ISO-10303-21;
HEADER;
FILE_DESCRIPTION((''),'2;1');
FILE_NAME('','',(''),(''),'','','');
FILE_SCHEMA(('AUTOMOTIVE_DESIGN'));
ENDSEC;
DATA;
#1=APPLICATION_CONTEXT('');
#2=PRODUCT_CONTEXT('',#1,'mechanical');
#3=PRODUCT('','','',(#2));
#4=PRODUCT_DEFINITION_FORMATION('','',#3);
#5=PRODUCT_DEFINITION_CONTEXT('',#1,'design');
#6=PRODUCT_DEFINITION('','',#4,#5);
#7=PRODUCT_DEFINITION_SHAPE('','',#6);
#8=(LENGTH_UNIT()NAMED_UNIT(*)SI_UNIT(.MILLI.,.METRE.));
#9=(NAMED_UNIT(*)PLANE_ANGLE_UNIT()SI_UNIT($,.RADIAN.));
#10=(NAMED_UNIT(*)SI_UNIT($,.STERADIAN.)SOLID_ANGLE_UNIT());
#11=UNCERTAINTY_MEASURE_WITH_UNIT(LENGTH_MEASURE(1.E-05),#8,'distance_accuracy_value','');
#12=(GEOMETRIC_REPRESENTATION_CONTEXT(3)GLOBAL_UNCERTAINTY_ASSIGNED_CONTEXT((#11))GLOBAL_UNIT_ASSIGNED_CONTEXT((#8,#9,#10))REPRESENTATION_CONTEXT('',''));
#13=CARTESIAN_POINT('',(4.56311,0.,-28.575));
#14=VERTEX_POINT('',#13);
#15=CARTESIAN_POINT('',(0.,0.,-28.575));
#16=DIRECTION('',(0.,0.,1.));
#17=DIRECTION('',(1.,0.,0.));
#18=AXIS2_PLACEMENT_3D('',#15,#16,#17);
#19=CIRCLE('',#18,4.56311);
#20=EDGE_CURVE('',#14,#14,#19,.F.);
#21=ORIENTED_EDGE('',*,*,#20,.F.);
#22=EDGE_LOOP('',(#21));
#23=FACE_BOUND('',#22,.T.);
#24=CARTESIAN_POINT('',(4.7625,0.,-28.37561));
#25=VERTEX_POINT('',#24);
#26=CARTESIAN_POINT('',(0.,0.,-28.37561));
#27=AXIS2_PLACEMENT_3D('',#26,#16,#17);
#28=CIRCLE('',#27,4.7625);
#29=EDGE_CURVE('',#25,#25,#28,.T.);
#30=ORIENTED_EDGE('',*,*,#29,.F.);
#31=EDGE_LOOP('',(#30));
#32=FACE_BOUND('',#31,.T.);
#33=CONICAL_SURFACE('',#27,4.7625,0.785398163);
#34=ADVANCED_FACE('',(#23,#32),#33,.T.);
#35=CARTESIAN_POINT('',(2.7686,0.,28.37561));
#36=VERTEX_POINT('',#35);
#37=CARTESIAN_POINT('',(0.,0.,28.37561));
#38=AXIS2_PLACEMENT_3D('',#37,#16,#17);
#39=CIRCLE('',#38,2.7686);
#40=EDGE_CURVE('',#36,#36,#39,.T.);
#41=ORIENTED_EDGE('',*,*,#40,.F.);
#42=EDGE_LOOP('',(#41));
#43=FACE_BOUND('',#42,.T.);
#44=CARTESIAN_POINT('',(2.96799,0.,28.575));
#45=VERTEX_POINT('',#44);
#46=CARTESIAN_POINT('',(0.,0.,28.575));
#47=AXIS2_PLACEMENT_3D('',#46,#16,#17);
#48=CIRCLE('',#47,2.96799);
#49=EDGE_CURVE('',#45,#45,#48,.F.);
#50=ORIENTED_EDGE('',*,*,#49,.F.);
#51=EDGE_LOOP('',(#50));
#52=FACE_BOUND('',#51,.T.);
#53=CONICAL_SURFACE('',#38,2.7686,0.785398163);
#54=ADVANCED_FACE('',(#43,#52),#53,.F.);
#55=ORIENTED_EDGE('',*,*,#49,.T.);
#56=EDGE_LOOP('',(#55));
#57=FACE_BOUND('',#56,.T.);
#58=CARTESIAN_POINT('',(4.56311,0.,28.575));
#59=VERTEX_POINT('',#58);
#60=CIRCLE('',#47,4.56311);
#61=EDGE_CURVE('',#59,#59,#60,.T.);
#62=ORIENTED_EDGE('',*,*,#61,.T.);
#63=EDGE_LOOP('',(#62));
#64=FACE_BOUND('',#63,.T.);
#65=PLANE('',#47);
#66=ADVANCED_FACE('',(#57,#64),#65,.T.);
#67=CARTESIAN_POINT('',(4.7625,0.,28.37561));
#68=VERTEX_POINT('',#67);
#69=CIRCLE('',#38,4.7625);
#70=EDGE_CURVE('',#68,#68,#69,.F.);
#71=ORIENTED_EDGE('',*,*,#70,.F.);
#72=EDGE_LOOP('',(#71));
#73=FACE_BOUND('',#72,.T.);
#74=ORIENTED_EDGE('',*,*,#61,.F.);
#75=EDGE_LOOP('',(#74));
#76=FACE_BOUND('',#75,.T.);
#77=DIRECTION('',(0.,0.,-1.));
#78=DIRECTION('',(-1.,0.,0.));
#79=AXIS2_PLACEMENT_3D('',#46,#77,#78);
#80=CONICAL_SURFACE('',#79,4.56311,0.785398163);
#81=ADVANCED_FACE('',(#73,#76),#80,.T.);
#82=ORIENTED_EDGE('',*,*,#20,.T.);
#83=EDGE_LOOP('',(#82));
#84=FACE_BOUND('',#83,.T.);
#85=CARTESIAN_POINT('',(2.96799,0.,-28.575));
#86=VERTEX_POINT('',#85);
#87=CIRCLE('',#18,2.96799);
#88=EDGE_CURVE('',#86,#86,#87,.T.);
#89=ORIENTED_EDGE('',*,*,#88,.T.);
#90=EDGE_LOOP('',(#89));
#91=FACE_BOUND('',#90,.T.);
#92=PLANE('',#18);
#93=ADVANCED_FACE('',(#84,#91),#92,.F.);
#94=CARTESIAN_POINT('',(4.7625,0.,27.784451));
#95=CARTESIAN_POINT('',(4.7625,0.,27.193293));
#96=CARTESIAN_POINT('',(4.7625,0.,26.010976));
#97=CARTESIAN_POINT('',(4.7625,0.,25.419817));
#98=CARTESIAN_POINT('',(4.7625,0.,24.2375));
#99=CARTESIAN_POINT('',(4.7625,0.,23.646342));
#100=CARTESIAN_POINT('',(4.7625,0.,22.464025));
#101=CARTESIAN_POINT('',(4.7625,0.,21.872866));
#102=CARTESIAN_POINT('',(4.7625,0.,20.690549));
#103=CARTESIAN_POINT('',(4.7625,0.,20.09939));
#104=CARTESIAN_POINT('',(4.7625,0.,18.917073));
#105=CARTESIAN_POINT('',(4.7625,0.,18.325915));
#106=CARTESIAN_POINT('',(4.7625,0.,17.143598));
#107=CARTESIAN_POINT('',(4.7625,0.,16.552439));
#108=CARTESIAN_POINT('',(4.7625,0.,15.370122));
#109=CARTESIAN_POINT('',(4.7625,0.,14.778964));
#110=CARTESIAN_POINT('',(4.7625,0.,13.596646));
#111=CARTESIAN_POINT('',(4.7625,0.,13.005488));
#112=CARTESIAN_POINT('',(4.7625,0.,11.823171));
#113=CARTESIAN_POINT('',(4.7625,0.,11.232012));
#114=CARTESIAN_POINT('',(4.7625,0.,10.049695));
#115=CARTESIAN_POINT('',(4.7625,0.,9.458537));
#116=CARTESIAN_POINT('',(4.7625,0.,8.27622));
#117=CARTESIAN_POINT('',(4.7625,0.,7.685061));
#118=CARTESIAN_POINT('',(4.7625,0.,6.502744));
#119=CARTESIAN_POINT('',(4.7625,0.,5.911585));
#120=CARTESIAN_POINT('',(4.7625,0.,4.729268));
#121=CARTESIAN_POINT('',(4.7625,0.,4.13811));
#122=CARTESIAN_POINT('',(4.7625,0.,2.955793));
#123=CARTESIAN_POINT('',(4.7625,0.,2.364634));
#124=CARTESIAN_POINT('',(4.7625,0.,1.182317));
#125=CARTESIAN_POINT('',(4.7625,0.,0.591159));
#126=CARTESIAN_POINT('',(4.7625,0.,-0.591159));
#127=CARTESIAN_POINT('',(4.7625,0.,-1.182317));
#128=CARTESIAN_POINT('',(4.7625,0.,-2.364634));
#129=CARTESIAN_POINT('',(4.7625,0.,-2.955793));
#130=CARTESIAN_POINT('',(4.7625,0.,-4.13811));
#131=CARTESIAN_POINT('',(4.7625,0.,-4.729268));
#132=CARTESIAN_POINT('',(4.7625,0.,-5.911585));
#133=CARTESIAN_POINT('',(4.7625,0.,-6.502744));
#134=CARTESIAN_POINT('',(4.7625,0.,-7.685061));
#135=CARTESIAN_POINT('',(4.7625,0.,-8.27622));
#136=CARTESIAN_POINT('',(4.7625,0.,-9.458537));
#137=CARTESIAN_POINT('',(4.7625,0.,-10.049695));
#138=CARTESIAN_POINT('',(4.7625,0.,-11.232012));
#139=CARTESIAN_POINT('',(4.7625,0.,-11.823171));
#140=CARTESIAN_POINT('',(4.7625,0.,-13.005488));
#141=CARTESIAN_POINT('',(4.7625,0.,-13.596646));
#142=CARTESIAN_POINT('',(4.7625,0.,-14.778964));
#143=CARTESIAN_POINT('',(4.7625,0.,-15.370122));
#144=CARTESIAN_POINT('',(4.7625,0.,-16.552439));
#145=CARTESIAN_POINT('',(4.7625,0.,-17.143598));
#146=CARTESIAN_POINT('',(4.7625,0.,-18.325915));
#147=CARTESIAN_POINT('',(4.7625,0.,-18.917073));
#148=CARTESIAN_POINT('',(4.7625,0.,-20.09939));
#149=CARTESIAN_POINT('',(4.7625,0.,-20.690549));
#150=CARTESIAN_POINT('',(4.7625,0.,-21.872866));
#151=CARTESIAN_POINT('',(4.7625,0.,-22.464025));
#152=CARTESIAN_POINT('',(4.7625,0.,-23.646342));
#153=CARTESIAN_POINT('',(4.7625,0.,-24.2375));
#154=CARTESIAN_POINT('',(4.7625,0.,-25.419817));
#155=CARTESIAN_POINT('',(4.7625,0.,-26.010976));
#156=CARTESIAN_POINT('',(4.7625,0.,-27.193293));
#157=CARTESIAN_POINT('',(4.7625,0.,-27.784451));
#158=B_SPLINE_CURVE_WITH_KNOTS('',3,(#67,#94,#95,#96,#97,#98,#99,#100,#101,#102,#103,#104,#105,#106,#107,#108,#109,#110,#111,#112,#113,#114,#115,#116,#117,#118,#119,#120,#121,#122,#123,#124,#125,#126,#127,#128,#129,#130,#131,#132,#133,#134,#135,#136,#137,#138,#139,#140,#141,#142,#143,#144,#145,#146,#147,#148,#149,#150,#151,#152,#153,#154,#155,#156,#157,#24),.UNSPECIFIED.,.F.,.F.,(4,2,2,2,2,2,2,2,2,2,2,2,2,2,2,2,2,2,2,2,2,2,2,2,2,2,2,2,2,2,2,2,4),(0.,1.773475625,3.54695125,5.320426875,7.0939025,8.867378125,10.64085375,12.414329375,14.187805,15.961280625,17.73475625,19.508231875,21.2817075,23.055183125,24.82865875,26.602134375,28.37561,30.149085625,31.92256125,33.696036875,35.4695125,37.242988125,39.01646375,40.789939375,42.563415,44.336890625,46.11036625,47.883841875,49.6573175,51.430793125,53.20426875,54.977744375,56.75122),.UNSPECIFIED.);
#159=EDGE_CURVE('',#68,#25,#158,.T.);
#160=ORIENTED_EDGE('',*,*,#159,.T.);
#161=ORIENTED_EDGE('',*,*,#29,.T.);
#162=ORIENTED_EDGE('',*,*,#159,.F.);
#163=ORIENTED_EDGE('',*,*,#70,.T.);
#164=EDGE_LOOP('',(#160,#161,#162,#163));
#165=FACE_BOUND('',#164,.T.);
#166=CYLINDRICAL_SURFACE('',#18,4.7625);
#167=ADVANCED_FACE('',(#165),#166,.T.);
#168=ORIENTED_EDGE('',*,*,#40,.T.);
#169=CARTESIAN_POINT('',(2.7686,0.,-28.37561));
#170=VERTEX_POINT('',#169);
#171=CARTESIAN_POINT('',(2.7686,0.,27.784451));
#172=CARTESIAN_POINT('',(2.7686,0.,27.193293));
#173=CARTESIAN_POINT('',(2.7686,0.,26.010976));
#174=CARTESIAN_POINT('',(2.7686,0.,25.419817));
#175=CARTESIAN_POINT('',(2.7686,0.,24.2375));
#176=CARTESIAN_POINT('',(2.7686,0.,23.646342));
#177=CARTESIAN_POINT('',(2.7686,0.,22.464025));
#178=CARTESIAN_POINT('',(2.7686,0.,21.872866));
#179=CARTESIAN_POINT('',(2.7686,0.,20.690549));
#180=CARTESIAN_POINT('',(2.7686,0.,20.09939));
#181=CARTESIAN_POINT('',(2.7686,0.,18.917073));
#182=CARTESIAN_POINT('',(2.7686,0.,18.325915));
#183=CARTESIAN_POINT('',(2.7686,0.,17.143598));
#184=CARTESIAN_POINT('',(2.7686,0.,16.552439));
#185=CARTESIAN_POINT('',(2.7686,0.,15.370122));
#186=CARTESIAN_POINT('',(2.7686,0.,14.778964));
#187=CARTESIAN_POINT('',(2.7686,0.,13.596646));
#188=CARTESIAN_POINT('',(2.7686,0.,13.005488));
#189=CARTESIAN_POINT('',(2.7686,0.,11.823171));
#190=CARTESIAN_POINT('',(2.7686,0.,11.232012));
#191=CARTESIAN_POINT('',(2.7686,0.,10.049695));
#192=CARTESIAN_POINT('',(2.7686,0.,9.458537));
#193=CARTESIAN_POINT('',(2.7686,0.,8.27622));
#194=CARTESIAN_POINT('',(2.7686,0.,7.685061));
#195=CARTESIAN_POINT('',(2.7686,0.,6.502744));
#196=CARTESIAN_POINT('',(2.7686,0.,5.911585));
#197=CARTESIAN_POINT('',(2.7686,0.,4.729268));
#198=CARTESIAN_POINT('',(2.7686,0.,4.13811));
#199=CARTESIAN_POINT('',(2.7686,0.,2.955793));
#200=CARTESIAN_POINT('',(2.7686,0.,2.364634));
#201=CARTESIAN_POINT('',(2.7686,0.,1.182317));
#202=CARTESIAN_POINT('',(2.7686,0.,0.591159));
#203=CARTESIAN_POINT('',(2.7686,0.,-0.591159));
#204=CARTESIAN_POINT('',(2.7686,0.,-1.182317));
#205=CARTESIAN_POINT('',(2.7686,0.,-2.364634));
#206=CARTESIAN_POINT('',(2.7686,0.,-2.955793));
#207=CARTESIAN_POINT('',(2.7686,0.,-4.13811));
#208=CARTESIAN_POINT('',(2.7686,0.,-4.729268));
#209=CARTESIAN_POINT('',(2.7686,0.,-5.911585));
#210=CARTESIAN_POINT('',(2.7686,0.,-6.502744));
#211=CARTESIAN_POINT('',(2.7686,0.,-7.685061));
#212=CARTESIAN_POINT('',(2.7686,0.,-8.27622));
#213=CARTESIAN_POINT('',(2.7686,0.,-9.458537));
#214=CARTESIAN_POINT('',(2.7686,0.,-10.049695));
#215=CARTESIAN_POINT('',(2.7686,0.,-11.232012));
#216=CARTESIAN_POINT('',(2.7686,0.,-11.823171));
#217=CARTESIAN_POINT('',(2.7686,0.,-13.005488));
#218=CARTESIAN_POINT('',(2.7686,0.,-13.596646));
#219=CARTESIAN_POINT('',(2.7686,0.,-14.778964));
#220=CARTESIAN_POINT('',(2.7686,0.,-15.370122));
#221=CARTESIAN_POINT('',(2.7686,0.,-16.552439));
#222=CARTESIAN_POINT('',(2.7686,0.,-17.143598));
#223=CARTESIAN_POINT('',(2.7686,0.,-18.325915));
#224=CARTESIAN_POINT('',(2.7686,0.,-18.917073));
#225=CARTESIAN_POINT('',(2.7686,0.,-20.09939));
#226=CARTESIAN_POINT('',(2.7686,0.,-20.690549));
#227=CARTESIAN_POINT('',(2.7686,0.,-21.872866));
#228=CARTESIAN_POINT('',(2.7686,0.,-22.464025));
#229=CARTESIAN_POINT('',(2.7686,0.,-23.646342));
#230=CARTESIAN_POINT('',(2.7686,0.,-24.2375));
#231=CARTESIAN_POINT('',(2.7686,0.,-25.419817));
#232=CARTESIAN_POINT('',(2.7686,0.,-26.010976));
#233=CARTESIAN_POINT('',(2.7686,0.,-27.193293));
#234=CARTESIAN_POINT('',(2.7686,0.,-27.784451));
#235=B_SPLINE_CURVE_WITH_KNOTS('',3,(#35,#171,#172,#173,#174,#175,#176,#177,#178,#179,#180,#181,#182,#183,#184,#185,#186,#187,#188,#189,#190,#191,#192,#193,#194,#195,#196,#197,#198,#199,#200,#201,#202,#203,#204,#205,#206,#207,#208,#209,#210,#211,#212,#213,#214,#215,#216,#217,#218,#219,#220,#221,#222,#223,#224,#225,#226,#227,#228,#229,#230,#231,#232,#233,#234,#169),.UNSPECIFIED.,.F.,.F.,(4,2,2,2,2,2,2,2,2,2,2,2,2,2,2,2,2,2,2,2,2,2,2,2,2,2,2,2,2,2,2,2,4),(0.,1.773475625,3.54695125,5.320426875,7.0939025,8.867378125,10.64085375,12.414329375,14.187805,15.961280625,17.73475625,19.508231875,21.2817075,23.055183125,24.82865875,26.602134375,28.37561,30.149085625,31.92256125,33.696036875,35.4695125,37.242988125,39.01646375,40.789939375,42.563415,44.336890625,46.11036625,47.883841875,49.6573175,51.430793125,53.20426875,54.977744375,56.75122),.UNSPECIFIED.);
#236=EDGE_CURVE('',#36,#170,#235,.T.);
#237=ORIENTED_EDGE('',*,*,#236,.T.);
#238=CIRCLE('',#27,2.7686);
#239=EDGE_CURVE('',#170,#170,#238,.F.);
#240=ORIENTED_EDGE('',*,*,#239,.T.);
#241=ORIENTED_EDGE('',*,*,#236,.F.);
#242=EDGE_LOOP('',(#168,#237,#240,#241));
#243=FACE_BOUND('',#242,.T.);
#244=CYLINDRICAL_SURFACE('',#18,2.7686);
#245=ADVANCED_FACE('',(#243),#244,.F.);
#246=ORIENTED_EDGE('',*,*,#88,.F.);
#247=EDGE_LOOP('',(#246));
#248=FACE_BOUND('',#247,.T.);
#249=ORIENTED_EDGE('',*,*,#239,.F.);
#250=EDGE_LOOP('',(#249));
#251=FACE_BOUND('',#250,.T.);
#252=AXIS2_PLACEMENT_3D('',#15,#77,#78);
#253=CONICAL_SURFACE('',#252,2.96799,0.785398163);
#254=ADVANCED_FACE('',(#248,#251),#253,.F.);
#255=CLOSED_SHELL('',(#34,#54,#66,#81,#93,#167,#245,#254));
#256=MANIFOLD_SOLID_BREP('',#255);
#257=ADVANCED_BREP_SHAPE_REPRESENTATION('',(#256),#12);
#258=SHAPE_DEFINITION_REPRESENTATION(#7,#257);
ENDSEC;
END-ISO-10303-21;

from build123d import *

# Parameters (mm, degrees)
BOSS_EXTRUDE1_DEPTH      = 28.575
BOSS_EXTRUDE1_DEPTH_BACK = 28.575
SKETCH3_R                = 4.7625
SKETCH3_R_2              = 2.7686
CHAMFER1_SIZE            = 0.19939


with BuildPart() as part:
    # Sketch3 → Boss-Extrude1 (new, two sides: drawn at the far end of the back side and taken through both)
    with BuildSketch(Plane.XY.offset(-BOSS_EXTRUDE1_DEPTH_BACK)):
        Circle(SKETCH3_R)
        Circle(SKETCH3_R_2, mode=Mode.SUBTRACT)
    extrude(amount=BOSS_EXTRUDE1_DEPTH + BOSS_EXTRUDE1_DEPTH_BACK)

    # Chamfer1
    chamfer1_edges = [part.edges().sort_by_distance(p)[0] for p in [
        (-4.7625, 0, -28.575),
        (-2.7686, 0, -28.575),
        (-4.7625, 0, 28.575),
        (-2.7686, 0, 28.575),
    ]]
    chamfer(chamfer1_edges, length=CHAMFER1_SIZE)


solid = part.part
